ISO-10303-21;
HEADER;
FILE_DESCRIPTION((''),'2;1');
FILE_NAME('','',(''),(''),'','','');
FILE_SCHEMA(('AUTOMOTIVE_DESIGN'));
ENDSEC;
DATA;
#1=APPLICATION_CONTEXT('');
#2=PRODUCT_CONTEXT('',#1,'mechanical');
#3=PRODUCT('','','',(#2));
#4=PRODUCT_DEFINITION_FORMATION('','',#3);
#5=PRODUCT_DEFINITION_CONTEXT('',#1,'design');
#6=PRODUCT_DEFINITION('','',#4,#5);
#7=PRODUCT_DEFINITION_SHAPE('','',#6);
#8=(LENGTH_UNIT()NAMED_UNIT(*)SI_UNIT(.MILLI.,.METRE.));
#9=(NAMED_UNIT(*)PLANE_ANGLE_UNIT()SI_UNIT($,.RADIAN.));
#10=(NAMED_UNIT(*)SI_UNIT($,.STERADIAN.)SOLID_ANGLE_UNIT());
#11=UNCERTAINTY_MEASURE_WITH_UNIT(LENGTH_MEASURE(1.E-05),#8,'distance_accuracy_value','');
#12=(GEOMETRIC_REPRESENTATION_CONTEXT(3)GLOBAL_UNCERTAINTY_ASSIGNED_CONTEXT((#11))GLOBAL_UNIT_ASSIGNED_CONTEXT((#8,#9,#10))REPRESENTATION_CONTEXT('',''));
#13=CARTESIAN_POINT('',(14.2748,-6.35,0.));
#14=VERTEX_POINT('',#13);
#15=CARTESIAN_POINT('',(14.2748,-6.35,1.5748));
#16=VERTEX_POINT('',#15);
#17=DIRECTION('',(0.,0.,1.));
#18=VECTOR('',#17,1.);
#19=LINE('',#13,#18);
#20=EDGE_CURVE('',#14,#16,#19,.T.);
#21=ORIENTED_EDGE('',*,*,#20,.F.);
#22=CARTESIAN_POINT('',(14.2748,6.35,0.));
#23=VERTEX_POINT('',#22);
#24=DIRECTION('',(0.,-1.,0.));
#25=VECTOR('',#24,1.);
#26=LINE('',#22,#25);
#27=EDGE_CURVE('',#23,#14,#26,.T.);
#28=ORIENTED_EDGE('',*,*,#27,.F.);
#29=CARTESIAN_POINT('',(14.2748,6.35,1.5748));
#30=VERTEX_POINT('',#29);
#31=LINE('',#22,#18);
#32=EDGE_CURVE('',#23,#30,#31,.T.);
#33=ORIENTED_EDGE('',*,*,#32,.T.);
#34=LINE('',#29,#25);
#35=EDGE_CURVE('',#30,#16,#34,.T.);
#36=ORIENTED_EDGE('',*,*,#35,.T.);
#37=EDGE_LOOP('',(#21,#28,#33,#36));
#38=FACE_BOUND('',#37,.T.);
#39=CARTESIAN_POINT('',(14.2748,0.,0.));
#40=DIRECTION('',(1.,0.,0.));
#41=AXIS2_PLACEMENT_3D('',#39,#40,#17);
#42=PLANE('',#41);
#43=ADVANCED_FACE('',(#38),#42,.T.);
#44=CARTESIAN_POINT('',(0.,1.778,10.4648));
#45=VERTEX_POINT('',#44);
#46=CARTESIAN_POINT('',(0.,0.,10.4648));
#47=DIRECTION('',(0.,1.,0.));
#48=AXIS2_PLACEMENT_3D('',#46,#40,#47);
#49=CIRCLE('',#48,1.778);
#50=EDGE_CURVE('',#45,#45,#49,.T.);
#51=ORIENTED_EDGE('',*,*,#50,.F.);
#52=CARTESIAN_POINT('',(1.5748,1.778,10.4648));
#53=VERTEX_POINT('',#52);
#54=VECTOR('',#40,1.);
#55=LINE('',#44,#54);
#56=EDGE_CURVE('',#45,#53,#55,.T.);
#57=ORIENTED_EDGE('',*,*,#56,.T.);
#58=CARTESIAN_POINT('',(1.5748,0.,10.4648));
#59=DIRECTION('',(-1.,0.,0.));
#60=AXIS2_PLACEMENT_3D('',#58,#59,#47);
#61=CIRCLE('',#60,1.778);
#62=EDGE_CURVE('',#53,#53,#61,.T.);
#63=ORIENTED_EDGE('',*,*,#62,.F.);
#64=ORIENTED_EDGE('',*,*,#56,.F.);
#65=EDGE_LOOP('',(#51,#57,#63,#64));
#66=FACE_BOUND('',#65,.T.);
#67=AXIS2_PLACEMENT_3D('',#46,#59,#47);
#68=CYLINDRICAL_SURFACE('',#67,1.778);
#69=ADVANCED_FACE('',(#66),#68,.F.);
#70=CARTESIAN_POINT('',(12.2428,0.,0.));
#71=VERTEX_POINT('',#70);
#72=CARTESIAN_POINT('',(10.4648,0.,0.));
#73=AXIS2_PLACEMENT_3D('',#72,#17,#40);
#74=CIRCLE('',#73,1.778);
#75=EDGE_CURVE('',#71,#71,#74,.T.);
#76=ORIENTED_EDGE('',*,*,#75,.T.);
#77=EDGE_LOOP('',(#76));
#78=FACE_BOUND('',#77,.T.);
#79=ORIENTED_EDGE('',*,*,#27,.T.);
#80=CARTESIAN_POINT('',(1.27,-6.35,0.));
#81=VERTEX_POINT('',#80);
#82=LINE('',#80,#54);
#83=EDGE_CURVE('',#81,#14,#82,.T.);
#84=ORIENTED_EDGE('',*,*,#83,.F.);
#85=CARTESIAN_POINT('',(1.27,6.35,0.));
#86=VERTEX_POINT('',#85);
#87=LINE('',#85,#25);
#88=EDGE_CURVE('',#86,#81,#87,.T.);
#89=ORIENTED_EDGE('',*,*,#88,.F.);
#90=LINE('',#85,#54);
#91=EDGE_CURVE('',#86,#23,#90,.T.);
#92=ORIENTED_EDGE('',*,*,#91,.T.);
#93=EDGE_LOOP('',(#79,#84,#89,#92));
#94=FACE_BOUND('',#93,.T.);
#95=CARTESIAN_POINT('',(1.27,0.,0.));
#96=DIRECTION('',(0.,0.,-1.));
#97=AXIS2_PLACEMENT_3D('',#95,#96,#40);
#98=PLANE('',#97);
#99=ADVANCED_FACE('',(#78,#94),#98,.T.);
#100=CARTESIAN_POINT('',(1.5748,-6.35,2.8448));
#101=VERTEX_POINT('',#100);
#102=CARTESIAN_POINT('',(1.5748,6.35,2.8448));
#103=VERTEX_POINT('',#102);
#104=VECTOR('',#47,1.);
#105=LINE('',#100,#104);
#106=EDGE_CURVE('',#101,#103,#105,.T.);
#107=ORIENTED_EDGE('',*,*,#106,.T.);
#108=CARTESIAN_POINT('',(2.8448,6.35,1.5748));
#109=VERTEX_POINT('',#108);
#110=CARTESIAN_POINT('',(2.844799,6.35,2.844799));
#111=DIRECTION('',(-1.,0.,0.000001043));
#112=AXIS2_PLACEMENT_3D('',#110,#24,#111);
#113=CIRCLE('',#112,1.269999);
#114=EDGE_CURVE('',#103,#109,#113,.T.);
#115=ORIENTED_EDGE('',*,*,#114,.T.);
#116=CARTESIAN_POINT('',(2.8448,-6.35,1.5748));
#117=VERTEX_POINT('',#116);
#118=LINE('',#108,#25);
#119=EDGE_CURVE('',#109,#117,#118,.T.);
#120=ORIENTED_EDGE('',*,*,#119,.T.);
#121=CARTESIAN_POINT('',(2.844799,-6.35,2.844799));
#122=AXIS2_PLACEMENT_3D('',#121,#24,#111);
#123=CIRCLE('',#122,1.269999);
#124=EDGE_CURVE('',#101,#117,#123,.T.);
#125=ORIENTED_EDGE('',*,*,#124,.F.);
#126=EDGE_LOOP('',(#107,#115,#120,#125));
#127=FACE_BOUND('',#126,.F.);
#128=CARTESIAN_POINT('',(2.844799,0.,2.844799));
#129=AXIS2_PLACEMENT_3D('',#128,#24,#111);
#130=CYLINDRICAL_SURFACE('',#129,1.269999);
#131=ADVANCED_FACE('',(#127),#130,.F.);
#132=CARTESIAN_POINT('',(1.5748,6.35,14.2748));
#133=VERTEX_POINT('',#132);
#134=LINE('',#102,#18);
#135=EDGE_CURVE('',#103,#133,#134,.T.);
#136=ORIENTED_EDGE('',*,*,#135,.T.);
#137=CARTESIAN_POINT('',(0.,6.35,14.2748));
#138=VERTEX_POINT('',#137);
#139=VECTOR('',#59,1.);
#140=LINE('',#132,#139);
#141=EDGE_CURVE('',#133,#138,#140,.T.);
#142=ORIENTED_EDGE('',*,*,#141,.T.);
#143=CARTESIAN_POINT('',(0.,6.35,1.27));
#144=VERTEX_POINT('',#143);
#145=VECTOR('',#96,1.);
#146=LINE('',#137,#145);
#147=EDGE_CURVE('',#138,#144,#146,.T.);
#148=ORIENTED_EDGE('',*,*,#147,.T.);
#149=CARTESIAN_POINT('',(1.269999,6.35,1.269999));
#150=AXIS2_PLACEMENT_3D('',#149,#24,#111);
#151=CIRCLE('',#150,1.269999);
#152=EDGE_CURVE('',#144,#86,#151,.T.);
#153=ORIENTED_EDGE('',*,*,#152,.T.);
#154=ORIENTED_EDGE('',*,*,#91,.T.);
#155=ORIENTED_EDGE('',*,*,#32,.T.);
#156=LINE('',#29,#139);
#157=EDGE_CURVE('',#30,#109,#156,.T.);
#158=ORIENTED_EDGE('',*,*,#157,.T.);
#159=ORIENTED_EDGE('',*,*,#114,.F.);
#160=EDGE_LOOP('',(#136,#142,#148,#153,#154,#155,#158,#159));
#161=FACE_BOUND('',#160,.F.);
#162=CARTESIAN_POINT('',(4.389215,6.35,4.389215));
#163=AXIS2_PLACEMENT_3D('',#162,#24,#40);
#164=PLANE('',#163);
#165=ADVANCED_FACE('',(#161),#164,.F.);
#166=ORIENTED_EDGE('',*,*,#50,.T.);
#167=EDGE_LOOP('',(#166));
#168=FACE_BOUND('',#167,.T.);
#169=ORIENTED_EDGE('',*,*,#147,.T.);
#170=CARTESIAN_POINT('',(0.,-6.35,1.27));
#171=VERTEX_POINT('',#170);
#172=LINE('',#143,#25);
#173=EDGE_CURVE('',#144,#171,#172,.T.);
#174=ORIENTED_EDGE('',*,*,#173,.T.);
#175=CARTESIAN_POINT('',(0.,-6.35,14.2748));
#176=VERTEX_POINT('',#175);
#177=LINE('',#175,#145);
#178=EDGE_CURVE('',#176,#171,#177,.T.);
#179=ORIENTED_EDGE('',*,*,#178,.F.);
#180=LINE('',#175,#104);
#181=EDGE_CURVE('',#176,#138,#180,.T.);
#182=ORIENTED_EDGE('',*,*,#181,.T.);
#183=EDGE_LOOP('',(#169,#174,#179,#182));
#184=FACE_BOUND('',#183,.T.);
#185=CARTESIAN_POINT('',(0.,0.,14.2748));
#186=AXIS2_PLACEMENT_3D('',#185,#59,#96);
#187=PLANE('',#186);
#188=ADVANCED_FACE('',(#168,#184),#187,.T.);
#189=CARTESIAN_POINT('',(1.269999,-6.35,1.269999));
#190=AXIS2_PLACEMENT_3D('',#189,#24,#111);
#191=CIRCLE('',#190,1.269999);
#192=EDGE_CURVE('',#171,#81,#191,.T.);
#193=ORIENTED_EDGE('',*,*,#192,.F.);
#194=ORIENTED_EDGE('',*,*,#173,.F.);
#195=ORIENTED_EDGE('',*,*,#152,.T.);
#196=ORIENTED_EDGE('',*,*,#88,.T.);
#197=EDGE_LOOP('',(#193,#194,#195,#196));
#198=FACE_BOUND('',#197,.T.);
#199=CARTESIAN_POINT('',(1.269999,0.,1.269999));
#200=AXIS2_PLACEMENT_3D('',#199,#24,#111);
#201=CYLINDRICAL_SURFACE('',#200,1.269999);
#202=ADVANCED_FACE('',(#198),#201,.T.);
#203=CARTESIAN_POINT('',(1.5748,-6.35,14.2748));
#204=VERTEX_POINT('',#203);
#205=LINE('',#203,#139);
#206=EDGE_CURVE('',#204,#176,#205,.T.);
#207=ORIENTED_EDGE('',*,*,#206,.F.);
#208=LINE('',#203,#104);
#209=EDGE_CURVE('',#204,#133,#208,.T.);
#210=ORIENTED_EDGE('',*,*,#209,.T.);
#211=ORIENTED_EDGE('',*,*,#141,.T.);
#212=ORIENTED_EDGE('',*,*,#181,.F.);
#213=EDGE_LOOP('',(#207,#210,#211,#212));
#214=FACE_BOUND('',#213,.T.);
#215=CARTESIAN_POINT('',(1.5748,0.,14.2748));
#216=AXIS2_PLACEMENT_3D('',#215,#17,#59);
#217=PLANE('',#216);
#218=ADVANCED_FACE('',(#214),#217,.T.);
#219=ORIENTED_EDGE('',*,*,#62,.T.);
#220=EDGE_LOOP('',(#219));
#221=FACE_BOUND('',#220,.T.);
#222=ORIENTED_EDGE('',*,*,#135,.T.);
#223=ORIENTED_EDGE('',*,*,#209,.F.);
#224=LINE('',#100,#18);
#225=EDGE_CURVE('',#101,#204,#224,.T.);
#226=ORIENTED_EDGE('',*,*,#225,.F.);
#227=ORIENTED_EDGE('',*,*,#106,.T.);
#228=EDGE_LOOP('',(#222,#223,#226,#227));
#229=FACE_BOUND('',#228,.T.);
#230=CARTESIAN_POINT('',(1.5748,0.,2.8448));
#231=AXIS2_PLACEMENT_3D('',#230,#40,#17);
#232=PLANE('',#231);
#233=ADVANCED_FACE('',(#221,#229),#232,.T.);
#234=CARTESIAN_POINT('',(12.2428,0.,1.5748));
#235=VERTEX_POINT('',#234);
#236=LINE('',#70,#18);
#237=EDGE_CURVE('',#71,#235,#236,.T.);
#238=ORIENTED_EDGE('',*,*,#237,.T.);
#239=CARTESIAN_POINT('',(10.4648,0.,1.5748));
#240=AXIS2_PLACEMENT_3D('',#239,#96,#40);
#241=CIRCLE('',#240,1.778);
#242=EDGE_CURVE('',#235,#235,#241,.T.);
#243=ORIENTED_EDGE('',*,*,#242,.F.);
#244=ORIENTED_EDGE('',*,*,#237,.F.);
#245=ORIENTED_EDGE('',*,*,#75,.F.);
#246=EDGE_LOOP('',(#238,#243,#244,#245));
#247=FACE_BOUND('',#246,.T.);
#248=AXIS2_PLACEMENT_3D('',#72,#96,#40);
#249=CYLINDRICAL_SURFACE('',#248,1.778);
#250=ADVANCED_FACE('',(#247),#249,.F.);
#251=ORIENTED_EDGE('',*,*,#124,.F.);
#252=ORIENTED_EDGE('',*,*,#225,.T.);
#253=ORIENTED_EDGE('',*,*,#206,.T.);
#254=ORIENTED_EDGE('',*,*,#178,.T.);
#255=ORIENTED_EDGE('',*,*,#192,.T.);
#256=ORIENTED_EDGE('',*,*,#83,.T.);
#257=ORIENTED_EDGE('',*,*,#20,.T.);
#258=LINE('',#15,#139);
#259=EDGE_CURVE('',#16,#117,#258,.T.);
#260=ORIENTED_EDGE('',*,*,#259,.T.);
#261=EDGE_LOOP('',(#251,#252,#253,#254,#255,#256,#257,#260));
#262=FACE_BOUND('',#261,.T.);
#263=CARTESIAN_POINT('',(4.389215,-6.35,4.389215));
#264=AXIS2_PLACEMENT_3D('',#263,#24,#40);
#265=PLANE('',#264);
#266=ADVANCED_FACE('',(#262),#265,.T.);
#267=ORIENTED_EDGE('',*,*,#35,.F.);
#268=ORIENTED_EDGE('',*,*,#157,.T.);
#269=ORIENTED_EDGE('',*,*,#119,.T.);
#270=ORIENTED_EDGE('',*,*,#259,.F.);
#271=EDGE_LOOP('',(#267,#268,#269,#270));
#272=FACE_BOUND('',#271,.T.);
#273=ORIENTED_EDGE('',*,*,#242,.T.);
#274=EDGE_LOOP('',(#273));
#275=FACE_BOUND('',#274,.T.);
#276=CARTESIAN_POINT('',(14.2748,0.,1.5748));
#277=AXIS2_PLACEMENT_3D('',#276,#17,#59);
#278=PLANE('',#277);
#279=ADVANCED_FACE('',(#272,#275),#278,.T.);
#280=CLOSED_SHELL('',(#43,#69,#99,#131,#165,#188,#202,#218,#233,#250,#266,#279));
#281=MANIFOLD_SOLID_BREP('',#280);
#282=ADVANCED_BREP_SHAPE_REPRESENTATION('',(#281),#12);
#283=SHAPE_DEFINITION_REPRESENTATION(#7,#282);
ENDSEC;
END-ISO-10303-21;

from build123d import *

# Parameters (mm, degrees)
PAD_DEPTH       = 6.35
SKETCH001_R     = 1.778
POCKET_DEPTH    = 14.2758
SKETCH002_R     = 1.778
POCKET001_DEPTH = 14.2758


with BuildPart() as part:
    # Sketch → Pad (new body, symmetric)
    with BuildSketch(Plane.XZ):
        with BuildLine():
            Line((0, 14.2748), (0, 1.27))
            ThreePointArc((0, 1.27), (0.371974, 0.371974), (1.27, 0))
            Line((1.27, 0), (14.2748, 0))
            Line((14.2748, 0), (14.2748, 1.5748))
            Line((14.2748, 1.5748), (2.8448, 1.5748))
            ThreePointArc((1.5748, 2.8448), (1.946774, 1.946774), (2.8448, 1.5748))
            Line((1.5748, 2.8448), (1.5748, 14.2748))
            Line((1.5748, 14.2748), (0, 14.2748))
        make_face()
    extrude(amount=PAD_DEPTH, both=True)

    # Sketch001 → Pocket (cut, through all)
    with BuildSketch(Plane.XY):
        with Locations((10.4648, 0)):
            Circle(SKETCH001_R)
    extrude(amount=POCKET_DEPTH, mode=Mode.SUBTRACT)

    # Sketch002 → Pocket001 (cut, through all)
    with BuildSketch(Plane.YZ):
        with Locations((0, 10.4648)):
            Circle(SKETCH002_R)
    extrude(amount=POCKET001_DEPTH, mode=Mode.SUBTRACT)


solid = part.part
